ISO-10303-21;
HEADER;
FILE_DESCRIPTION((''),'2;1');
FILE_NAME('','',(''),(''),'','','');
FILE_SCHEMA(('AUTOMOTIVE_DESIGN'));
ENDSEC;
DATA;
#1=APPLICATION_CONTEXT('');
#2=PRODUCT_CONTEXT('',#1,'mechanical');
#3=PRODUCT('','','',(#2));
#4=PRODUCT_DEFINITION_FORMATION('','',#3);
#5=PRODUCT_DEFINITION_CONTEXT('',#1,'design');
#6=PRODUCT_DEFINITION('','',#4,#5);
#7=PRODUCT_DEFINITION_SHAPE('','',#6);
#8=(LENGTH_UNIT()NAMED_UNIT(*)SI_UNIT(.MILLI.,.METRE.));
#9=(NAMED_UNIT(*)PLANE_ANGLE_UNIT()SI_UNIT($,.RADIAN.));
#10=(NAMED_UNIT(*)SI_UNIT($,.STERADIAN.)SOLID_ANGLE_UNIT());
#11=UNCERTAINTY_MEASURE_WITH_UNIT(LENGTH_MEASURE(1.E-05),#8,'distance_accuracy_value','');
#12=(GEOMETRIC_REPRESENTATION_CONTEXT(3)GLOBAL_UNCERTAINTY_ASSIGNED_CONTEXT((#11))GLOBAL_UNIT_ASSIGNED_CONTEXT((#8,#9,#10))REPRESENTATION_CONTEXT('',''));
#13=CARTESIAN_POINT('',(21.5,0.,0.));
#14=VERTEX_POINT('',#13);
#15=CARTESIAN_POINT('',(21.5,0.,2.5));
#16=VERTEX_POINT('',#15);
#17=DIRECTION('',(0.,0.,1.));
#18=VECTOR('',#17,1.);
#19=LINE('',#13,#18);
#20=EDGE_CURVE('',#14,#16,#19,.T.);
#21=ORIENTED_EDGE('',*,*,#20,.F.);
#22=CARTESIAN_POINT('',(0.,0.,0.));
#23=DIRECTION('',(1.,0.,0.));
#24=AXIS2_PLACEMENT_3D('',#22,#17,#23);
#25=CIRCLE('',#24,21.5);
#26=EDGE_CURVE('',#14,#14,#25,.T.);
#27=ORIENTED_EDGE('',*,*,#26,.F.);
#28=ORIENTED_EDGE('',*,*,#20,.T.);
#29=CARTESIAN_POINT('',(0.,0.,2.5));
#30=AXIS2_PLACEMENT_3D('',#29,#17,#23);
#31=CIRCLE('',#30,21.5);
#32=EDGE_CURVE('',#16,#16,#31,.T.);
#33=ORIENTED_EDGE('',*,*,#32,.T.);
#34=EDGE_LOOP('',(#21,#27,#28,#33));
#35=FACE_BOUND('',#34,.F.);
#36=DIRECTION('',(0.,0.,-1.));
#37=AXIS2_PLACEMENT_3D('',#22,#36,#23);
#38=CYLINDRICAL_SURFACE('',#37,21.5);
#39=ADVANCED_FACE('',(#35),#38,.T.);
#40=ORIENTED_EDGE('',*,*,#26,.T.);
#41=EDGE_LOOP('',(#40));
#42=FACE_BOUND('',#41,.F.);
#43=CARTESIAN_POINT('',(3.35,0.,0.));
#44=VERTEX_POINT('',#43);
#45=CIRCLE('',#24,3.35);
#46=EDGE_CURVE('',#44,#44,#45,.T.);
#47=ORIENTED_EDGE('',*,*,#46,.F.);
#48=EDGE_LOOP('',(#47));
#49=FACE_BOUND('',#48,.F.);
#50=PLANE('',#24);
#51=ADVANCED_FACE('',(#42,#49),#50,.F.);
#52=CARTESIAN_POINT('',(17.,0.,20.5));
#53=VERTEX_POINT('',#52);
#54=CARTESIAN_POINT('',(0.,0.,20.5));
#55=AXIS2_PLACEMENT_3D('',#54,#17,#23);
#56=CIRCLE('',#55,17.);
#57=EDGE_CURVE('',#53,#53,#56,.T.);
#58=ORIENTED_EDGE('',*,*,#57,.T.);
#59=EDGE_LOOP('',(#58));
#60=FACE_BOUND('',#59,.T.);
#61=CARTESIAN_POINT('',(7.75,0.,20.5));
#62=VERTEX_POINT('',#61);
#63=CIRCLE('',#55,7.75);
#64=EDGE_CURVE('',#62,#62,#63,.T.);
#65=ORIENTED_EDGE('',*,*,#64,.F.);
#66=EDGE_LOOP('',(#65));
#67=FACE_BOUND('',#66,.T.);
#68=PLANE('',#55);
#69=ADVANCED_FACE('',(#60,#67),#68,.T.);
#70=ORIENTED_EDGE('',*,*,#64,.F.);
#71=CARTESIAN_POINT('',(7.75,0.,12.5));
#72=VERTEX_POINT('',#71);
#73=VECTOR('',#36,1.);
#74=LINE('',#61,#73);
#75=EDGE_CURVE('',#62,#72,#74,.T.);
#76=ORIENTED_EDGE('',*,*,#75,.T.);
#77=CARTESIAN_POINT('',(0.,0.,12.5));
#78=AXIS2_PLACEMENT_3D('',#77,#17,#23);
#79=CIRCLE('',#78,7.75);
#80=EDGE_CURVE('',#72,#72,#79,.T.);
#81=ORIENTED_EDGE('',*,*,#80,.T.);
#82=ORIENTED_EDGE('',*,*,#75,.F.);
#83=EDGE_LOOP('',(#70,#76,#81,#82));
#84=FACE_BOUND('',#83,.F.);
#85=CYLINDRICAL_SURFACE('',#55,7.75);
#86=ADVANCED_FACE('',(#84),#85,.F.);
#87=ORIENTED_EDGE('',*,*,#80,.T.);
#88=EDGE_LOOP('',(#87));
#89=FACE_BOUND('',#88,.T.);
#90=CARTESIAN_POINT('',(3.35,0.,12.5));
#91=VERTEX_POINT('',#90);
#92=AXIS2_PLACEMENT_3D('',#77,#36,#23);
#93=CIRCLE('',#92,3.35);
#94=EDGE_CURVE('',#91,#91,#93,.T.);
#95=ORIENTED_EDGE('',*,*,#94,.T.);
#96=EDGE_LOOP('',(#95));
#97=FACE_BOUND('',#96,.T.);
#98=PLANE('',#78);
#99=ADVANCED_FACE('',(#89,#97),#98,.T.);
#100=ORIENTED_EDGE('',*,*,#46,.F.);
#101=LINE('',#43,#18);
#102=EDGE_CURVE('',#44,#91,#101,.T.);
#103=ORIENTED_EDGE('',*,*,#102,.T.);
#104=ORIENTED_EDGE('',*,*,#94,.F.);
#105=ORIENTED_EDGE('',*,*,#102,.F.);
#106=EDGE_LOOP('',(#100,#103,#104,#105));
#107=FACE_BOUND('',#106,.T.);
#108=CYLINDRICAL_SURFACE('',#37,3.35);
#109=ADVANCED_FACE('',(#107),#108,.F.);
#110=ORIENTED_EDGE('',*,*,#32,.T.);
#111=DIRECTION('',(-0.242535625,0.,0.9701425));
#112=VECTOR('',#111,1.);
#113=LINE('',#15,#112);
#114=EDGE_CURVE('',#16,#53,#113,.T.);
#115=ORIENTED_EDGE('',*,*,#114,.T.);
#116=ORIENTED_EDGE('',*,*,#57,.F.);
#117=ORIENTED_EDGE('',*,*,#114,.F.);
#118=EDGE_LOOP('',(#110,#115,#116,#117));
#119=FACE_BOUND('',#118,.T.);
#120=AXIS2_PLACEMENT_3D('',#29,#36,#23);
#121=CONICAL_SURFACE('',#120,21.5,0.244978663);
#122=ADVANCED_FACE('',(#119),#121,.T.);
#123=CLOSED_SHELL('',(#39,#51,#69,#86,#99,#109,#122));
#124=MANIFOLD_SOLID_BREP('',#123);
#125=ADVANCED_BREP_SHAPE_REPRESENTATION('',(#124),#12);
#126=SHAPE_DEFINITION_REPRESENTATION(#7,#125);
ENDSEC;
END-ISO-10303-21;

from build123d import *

# Parameters (mm, degrees)
SKETCH_R      = 21.5
SKETCH_R_2    = 3.35
PAD_DEPTH     = 20.5
CHAMFER_SIZE2 = 4.5
CHAMFER_SIZE  = 18
SKETCH001_R   = 7.75
POCKET_DEPTH  = 8


with BuildPart() as part:
    # Sketch → Pad (new body)
    with BuildSketch(Plane.XY):
        Circle(SKETCH_R)
        Circle(SKETCH_R_2, mode=Mode.SUBTRACT)
    extrude(amount=PAD_DEPTH)

    # Chamfer
    chamfer_edges = [part.edges().sort_by_distance(p)[0] for p in [
        (-21.5, 0, 20.5),
    ]]
    chamfer_side = part.faces().sort_by_distance((-21.5, 0, 10.25))[0]
    chamfer(chamfer_edges, length=CHAMFER_SIZE, length2=CHAMFER_SIZE2, reference=chamfer_side)

    # Sketch001 (on Face4 of Chamfer) → Pocket (cut)
    with BuildSketch(Plane.XY.offset(20.5)):
        Circle(SKETCH001_R)
    extrude(amount=-POCKET_DEPTH, mode=Mode.SUBTRACT)


solid = part.part
